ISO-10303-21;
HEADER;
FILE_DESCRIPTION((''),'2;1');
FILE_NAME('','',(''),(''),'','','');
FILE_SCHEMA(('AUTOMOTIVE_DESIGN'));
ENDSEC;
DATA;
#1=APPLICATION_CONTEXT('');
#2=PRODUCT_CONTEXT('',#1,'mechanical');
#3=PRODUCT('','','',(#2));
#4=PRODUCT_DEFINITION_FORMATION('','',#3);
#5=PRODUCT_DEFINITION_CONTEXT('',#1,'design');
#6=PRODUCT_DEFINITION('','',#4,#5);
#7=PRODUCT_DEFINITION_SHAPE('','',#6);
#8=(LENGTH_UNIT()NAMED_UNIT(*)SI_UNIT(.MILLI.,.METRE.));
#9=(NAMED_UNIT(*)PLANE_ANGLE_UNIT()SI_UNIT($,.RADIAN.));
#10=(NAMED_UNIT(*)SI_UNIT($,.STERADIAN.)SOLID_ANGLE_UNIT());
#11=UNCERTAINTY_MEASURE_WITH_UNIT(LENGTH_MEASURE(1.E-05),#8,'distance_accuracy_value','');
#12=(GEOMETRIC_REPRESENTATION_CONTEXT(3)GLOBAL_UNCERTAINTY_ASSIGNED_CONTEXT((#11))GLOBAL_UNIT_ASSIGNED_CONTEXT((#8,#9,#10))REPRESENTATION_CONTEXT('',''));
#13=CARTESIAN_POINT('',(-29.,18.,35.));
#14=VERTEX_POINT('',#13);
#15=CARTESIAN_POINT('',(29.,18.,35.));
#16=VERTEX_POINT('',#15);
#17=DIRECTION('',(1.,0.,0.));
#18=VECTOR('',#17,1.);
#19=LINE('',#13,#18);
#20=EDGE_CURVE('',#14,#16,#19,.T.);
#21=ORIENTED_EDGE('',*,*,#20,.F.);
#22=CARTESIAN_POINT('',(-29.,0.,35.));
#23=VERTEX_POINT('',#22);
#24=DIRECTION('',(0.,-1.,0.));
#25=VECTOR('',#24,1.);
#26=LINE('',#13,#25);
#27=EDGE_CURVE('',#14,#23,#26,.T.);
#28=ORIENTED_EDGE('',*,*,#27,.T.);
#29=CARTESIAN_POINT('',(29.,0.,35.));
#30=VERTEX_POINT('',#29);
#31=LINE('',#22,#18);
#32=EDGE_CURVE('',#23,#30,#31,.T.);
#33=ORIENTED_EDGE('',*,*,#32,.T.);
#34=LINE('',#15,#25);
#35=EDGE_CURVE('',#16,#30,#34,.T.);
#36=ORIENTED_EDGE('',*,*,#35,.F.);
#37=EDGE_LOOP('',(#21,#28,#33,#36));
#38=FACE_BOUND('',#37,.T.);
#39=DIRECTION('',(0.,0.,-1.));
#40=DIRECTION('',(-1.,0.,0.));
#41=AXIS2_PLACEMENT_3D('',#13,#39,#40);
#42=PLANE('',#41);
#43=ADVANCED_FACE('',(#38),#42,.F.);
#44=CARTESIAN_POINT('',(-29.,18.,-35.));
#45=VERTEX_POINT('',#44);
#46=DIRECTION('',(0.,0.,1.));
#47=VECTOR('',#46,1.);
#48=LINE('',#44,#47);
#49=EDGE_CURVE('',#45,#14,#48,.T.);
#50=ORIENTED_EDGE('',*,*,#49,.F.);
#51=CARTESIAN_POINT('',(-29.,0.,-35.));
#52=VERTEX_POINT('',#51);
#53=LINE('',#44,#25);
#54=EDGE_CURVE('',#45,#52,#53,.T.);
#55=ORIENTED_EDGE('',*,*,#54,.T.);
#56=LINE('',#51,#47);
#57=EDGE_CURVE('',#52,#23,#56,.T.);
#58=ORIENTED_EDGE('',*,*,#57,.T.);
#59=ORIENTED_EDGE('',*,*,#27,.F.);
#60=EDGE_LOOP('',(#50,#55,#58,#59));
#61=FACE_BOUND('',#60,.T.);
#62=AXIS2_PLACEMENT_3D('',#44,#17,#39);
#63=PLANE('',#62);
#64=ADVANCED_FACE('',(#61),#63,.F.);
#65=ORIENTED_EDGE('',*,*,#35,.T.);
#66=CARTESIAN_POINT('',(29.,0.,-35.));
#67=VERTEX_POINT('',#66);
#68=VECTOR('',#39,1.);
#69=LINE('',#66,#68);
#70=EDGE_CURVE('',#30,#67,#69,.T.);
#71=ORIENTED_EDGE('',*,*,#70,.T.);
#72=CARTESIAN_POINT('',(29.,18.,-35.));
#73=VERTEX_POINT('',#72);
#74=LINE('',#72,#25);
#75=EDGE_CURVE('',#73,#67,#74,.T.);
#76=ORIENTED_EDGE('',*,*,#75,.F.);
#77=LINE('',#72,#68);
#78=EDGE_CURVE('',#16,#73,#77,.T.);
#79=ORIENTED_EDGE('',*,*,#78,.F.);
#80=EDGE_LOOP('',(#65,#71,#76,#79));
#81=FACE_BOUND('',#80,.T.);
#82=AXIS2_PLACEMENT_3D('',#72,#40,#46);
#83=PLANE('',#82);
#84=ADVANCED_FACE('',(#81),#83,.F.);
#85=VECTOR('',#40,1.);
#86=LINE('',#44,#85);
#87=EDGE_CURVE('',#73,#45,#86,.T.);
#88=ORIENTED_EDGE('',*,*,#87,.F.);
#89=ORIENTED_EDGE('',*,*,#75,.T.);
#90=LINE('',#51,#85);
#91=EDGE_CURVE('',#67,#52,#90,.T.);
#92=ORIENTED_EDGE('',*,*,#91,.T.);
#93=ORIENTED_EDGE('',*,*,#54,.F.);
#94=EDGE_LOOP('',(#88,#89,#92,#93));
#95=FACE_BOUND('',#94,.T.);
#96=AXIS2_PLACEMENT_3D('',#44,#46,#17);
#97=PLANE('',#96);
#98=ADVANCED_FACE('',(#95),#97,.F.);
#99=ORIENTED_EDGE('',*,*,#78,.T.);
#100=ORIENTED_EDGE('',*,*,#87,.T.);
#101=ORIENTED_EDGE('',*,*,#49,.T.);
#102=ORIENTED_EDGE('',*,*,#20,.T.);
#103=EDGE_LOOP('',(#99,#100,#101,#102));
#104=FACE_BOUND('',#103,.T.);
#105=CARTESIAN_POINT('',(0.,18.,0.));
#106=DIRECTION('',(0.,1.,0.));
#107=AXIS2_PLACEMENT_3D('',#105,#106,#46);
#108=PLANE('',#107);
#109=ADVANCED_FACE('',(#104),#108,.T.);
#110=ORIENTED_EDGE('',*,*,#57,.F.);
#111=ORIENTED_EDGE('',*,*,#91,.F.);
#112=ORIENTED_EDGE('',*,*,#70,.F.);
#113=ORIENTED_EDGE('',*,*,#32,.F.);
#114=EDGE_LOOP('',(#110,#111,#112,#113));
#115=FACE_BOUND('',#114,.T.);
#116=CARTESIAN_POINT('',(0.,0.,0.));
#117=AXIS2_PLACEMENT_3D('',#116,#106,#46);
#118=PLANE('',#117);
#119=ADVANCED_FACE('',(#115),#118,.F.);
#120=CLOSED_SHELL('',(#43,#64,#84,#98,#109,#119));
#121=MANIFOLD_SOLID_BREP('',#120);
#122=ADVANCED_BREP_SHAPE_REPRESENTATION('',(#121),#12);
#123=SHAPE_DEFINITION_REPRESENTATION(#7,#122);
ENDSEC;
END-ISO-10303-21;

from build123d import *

# Parameters (mm, degrees)
SKETCH_1_W      = 58
SKETCH_1_H      = 70
EXTRUDE_1_DEPTH = 18


with BuildPart() as part:
    # Эскиз1 → Бобышка-Вытянуть1 (new body)
    with BuildSketch(Plane(origin=(0, 0, 0), x_dir=(1, 0, 0), z_dir=(0, 1, 0))):
        Rectangle(SKETCH_1_W, SKETCH_1_H)
    extrude(amount=EXTRUDE_1_DEPTH)


solid = part.part
